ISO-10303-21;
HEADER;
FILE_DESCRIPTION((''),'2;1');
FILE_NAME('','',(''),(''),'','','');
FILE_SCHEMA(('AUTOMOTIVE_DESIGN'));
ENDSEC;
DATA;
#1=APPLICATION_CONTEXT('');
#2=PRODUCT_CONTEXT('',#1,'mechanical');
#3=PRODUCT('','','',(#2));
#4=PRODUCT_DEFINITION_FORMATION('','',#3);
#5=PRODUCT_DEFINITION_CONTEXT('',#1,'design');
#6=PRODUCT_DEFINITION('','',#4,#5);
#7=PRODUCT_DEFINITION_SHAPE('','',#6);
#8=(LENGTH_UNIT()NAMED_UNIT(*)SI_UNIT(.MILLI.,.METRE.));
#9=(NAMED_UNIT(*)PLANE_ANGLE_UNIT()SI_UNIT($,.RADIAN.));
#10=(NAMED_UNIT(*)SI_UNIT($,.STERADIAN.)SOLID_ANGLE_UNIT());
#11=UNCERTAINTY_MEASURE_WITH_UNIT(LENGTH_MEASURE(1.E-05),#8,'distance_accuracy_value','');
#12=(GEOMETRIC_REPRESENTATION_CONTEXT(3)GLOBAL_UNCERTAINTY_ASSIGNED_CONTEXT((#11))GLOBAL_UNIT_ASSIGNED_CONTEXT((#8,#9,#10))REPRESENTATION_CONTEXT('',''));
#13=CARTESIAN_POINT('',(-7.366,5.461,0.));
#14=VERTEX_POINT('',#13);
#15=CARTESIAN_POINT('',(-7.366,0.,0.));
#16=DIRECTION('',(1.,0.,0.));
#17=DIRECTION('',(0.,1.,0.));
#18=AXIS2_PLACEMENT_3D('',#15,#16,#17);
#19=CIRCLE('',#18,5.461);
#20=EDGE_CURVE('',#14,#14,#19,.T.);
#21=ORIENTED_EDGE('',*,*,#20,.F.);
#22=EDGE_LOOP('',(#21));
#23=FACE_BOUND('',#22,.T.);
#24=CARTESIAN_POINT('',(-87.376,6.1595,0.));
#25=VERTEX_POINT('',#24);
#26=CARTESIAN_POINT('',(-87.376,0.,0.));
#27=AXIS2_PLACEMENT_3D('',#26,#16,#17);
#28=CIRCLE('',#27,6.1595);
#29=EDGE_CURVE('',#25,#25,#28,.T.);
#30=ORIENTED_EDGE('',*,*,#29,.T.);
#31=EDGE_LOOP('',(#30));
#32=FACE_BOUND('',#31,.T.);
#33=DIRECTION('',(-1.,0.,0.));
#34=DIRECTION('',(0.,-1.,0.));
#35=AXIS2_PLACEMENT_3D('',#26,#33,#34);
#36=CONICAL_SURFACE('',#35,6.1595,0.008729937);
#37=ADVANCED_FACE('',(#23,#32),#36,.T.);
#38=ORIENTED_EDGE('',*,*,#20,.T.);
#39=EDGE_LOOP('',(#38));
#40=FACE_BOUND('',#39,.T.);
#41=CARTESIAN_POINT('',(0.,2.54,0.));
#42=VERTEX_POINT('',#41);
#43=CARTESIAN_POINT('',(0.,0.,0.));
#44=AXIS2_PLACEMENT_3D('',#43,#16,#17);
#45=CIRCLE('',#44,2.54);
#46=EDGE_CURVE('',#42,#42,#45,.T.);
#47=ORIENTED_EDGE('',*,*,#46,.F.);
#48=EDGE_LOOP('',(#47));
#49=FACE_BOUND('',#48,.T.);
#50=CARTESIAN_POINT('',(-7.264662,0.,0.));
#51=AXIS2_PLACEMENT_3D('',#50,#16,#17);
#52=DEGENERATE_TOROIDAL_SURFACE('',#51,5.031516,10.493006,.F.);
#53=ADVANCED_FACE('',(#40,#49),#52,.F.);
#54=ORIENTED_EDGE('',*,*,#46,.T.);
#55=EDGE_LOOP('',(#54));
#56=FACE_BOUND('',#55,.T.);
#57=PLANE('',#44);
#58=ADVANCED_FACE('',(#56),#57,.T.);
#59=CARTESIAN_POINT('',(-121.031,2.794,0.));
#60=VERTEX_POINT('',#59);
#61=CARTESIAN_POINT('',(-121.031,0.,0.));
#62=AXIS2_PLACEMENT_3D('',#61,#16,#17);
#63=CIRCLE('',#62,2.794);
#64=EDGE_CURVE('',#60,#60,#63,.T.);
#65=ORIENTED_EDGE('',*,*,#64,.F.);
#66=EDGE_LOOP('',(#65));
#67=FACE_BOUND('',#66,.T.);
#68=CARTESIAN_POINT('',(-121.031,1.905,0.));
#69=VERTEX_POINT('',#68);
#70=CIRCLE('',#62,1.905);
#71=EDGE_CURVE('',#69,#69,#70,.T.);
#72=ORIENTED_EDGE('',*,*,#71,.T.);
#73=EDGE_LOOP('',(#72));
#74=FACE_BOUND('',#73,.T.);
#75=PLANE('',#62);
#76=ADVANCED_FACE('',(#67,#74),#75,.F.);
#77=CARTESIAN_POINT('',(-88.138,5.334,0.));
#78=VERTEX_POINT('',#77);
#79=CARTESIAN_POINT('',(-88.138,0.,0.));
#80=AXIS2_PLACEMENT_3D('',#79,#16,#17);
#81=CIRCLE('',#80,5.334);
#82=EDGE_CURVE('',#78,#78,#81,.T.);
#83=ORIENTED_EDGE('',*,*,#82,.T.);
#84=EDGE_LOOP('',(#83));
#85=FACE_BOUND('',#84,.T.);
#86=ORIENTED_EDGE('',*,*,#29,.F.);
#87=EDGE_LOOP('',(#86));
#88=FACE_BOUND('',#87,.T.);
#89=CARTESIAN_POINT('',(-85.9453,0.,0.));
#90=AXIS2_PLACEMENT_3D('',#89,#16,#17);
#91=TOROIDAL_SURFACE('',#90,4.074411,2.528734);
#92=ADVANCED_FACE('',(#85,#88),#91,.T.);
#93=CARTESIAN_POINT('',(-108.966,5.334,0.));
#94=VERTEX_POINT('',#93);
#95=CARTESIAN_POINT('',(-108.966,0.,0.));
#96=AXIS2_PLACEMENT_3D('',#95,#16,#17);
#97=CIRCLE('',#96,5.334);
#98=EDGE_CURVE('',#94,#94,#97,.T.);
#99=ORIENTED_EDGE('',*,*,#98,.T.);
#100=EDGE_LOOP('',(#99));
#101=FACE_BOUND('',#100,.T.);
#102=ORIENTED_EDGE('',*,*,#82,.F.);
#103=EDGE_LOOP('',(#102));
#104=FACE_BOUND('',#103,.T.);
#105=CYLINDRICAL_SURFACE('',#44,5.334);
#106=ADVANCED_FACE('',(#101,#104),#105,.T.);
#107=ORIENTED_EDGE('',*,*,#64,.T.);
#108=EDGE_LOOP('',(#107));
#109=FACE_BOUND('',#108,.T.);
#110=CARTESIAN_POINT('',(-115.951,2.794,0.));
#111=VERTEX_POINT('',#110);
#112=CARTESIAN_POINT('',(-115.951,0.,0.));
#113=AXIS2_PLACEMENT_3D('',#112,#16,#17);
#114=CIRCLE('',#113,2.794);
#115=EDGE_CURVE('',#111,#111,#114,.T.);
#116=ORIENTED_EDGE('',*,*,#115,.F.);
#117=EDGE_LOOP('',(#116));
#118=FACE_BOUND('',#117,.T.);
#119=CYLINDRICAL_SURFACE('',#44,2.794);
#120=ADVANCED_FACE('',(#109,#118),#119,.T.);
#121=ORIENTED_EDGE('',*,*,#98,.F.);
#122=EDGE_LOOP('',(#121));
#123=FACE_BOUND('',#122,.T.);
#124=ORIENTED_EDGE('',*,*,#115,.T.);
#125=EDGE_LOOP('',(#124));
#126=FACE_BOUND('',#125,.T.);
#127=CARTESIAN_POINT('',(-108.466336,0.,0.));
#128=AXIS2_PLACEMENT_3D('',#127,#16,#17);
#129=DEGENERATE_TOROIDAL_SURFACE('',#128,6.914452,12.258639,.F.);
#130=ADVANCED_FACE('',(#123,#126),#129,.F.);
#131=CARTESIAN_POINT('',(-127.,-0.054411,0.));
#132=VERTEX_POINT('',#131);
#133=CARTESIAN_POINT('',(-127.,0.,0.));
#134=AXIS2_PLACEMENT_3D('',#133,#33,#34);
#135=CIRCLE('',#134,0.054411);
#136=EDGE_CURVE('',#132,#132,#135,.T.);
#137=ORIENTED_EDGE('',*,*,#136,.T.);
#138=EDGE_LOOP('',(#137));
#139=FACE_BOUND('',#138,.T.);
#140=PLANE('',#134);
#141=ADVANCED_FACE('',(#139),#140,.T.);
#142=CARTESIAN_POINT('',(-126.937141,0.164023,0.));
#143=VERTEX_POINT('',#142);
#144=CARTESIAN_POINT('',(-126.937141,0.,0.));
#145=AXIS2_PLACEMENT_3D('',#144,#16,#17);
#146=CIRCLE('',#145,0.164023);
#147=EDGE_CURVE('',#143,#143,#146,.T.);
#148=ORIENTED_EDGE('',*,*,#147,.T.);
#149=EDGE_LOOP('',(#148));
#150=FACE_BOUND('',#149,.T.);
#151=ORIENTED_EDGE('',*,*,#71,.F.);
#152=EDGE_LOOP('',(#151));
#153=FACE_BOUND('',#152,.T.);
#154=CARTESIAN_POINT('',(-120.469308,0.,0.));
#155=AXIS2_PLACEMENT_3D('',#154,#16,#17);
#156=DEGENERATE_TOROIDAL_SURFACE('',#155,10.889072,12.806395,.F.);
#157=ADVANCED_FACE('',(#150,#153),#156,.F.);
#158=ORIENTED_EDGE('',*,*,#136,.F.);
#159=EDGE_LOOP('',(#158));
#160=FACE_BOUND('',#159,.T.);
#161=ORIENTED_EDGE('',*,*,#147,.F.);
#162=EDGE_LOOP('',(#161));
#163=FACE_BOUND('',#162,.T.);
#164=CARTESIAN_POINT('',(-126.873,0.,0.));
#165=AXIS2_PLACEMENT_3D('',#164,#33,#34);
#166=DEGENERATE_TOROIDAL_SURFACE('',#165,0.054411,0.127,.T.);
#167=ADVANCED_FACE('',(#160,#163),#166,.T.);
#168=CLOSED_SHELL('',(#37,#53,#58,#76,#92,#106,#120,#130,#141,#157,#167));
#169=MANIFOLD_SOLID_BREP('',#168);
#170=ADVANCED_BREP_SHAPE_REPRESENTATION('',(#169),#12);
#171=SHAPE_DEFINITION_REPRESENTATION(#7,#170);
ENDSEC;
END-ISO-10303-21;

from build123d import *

# Parameters (mm, degrees)
SKETCH9_W = 20.828
SKETCH9_H = 5.334
FILLET1_R = 0.127


with BuildPart() as part:
    # Sketch9 → Revolve2 (revolve)
    with BuildSketch(Plane.XY):
        with BuildLine():
            Line((-127, 0), (-121.031, 0))
            Line((-121.031, 0), (-121.031, 1.905))
            ThreePointArc((-121.031, 1.905), (-124.125234531, 1.384394498), (-127, 0.127))
            Line((-127, 0.127), (-127, 0))
        make_face()
        Polygon((-121.031, 0), (-115.951, 0), (-115.951, 2.794), (-121.031, 2.794), (-121.031, 1.905), align=None)
        with BuildLine():
            Line((-115.951, 0), (-108.966, 0))
            Line((-108.966, 0), (-108.966, 5.334))
            ThreePointArc((-108.966, 5.334), (-112.655640632, 4.606136738), (-115.951, 2.794))
            Line((-115.951, 2.794), (-115.951, 0))
        make_face()
        with Locations((-98.552, 2.667)):
            Rectangle(SKETCH9_W, SKETCH9_H)
        with BuildLine():
            Line((-88.138, 0), (-87.376, 0))
            Line((-87.376, 0), (-87.376, 6.1595))
            ThreePointArc((-87.376, 6.1595), (-87.803422559, 5.789601593), (-88.138, 5.334))
            Line((-88.138, 5.334), (-88.138, 0))
        make_face()
        Polygon((-87.376, 0), (-7.366, 0), (-7.366, 5.461), (-87.376, 6.1595), align=None)
        with BuildLine():
            Line((-7.366, 0), (0, 0))
            Line((0, 0), (0, 2.54))
            ThreePointArc((0, 2.54), (-3.396669863, 4.722549911), (-7.366, 5.461))
            Line((-7.366, 5.461), (-7.366, 0))
        make_face()
    revolve(axis=Axis((0, 0, 0), (-1, 0, 0)))

    # Fillet1
    fillet1_edges = [part.edges().sort_by_distance(p)[0] for p in [
        (-127, -0.127, 0),
    ]]
    fillet(fillet1_edges, radius=FILLET1_R)


solid = part.part
